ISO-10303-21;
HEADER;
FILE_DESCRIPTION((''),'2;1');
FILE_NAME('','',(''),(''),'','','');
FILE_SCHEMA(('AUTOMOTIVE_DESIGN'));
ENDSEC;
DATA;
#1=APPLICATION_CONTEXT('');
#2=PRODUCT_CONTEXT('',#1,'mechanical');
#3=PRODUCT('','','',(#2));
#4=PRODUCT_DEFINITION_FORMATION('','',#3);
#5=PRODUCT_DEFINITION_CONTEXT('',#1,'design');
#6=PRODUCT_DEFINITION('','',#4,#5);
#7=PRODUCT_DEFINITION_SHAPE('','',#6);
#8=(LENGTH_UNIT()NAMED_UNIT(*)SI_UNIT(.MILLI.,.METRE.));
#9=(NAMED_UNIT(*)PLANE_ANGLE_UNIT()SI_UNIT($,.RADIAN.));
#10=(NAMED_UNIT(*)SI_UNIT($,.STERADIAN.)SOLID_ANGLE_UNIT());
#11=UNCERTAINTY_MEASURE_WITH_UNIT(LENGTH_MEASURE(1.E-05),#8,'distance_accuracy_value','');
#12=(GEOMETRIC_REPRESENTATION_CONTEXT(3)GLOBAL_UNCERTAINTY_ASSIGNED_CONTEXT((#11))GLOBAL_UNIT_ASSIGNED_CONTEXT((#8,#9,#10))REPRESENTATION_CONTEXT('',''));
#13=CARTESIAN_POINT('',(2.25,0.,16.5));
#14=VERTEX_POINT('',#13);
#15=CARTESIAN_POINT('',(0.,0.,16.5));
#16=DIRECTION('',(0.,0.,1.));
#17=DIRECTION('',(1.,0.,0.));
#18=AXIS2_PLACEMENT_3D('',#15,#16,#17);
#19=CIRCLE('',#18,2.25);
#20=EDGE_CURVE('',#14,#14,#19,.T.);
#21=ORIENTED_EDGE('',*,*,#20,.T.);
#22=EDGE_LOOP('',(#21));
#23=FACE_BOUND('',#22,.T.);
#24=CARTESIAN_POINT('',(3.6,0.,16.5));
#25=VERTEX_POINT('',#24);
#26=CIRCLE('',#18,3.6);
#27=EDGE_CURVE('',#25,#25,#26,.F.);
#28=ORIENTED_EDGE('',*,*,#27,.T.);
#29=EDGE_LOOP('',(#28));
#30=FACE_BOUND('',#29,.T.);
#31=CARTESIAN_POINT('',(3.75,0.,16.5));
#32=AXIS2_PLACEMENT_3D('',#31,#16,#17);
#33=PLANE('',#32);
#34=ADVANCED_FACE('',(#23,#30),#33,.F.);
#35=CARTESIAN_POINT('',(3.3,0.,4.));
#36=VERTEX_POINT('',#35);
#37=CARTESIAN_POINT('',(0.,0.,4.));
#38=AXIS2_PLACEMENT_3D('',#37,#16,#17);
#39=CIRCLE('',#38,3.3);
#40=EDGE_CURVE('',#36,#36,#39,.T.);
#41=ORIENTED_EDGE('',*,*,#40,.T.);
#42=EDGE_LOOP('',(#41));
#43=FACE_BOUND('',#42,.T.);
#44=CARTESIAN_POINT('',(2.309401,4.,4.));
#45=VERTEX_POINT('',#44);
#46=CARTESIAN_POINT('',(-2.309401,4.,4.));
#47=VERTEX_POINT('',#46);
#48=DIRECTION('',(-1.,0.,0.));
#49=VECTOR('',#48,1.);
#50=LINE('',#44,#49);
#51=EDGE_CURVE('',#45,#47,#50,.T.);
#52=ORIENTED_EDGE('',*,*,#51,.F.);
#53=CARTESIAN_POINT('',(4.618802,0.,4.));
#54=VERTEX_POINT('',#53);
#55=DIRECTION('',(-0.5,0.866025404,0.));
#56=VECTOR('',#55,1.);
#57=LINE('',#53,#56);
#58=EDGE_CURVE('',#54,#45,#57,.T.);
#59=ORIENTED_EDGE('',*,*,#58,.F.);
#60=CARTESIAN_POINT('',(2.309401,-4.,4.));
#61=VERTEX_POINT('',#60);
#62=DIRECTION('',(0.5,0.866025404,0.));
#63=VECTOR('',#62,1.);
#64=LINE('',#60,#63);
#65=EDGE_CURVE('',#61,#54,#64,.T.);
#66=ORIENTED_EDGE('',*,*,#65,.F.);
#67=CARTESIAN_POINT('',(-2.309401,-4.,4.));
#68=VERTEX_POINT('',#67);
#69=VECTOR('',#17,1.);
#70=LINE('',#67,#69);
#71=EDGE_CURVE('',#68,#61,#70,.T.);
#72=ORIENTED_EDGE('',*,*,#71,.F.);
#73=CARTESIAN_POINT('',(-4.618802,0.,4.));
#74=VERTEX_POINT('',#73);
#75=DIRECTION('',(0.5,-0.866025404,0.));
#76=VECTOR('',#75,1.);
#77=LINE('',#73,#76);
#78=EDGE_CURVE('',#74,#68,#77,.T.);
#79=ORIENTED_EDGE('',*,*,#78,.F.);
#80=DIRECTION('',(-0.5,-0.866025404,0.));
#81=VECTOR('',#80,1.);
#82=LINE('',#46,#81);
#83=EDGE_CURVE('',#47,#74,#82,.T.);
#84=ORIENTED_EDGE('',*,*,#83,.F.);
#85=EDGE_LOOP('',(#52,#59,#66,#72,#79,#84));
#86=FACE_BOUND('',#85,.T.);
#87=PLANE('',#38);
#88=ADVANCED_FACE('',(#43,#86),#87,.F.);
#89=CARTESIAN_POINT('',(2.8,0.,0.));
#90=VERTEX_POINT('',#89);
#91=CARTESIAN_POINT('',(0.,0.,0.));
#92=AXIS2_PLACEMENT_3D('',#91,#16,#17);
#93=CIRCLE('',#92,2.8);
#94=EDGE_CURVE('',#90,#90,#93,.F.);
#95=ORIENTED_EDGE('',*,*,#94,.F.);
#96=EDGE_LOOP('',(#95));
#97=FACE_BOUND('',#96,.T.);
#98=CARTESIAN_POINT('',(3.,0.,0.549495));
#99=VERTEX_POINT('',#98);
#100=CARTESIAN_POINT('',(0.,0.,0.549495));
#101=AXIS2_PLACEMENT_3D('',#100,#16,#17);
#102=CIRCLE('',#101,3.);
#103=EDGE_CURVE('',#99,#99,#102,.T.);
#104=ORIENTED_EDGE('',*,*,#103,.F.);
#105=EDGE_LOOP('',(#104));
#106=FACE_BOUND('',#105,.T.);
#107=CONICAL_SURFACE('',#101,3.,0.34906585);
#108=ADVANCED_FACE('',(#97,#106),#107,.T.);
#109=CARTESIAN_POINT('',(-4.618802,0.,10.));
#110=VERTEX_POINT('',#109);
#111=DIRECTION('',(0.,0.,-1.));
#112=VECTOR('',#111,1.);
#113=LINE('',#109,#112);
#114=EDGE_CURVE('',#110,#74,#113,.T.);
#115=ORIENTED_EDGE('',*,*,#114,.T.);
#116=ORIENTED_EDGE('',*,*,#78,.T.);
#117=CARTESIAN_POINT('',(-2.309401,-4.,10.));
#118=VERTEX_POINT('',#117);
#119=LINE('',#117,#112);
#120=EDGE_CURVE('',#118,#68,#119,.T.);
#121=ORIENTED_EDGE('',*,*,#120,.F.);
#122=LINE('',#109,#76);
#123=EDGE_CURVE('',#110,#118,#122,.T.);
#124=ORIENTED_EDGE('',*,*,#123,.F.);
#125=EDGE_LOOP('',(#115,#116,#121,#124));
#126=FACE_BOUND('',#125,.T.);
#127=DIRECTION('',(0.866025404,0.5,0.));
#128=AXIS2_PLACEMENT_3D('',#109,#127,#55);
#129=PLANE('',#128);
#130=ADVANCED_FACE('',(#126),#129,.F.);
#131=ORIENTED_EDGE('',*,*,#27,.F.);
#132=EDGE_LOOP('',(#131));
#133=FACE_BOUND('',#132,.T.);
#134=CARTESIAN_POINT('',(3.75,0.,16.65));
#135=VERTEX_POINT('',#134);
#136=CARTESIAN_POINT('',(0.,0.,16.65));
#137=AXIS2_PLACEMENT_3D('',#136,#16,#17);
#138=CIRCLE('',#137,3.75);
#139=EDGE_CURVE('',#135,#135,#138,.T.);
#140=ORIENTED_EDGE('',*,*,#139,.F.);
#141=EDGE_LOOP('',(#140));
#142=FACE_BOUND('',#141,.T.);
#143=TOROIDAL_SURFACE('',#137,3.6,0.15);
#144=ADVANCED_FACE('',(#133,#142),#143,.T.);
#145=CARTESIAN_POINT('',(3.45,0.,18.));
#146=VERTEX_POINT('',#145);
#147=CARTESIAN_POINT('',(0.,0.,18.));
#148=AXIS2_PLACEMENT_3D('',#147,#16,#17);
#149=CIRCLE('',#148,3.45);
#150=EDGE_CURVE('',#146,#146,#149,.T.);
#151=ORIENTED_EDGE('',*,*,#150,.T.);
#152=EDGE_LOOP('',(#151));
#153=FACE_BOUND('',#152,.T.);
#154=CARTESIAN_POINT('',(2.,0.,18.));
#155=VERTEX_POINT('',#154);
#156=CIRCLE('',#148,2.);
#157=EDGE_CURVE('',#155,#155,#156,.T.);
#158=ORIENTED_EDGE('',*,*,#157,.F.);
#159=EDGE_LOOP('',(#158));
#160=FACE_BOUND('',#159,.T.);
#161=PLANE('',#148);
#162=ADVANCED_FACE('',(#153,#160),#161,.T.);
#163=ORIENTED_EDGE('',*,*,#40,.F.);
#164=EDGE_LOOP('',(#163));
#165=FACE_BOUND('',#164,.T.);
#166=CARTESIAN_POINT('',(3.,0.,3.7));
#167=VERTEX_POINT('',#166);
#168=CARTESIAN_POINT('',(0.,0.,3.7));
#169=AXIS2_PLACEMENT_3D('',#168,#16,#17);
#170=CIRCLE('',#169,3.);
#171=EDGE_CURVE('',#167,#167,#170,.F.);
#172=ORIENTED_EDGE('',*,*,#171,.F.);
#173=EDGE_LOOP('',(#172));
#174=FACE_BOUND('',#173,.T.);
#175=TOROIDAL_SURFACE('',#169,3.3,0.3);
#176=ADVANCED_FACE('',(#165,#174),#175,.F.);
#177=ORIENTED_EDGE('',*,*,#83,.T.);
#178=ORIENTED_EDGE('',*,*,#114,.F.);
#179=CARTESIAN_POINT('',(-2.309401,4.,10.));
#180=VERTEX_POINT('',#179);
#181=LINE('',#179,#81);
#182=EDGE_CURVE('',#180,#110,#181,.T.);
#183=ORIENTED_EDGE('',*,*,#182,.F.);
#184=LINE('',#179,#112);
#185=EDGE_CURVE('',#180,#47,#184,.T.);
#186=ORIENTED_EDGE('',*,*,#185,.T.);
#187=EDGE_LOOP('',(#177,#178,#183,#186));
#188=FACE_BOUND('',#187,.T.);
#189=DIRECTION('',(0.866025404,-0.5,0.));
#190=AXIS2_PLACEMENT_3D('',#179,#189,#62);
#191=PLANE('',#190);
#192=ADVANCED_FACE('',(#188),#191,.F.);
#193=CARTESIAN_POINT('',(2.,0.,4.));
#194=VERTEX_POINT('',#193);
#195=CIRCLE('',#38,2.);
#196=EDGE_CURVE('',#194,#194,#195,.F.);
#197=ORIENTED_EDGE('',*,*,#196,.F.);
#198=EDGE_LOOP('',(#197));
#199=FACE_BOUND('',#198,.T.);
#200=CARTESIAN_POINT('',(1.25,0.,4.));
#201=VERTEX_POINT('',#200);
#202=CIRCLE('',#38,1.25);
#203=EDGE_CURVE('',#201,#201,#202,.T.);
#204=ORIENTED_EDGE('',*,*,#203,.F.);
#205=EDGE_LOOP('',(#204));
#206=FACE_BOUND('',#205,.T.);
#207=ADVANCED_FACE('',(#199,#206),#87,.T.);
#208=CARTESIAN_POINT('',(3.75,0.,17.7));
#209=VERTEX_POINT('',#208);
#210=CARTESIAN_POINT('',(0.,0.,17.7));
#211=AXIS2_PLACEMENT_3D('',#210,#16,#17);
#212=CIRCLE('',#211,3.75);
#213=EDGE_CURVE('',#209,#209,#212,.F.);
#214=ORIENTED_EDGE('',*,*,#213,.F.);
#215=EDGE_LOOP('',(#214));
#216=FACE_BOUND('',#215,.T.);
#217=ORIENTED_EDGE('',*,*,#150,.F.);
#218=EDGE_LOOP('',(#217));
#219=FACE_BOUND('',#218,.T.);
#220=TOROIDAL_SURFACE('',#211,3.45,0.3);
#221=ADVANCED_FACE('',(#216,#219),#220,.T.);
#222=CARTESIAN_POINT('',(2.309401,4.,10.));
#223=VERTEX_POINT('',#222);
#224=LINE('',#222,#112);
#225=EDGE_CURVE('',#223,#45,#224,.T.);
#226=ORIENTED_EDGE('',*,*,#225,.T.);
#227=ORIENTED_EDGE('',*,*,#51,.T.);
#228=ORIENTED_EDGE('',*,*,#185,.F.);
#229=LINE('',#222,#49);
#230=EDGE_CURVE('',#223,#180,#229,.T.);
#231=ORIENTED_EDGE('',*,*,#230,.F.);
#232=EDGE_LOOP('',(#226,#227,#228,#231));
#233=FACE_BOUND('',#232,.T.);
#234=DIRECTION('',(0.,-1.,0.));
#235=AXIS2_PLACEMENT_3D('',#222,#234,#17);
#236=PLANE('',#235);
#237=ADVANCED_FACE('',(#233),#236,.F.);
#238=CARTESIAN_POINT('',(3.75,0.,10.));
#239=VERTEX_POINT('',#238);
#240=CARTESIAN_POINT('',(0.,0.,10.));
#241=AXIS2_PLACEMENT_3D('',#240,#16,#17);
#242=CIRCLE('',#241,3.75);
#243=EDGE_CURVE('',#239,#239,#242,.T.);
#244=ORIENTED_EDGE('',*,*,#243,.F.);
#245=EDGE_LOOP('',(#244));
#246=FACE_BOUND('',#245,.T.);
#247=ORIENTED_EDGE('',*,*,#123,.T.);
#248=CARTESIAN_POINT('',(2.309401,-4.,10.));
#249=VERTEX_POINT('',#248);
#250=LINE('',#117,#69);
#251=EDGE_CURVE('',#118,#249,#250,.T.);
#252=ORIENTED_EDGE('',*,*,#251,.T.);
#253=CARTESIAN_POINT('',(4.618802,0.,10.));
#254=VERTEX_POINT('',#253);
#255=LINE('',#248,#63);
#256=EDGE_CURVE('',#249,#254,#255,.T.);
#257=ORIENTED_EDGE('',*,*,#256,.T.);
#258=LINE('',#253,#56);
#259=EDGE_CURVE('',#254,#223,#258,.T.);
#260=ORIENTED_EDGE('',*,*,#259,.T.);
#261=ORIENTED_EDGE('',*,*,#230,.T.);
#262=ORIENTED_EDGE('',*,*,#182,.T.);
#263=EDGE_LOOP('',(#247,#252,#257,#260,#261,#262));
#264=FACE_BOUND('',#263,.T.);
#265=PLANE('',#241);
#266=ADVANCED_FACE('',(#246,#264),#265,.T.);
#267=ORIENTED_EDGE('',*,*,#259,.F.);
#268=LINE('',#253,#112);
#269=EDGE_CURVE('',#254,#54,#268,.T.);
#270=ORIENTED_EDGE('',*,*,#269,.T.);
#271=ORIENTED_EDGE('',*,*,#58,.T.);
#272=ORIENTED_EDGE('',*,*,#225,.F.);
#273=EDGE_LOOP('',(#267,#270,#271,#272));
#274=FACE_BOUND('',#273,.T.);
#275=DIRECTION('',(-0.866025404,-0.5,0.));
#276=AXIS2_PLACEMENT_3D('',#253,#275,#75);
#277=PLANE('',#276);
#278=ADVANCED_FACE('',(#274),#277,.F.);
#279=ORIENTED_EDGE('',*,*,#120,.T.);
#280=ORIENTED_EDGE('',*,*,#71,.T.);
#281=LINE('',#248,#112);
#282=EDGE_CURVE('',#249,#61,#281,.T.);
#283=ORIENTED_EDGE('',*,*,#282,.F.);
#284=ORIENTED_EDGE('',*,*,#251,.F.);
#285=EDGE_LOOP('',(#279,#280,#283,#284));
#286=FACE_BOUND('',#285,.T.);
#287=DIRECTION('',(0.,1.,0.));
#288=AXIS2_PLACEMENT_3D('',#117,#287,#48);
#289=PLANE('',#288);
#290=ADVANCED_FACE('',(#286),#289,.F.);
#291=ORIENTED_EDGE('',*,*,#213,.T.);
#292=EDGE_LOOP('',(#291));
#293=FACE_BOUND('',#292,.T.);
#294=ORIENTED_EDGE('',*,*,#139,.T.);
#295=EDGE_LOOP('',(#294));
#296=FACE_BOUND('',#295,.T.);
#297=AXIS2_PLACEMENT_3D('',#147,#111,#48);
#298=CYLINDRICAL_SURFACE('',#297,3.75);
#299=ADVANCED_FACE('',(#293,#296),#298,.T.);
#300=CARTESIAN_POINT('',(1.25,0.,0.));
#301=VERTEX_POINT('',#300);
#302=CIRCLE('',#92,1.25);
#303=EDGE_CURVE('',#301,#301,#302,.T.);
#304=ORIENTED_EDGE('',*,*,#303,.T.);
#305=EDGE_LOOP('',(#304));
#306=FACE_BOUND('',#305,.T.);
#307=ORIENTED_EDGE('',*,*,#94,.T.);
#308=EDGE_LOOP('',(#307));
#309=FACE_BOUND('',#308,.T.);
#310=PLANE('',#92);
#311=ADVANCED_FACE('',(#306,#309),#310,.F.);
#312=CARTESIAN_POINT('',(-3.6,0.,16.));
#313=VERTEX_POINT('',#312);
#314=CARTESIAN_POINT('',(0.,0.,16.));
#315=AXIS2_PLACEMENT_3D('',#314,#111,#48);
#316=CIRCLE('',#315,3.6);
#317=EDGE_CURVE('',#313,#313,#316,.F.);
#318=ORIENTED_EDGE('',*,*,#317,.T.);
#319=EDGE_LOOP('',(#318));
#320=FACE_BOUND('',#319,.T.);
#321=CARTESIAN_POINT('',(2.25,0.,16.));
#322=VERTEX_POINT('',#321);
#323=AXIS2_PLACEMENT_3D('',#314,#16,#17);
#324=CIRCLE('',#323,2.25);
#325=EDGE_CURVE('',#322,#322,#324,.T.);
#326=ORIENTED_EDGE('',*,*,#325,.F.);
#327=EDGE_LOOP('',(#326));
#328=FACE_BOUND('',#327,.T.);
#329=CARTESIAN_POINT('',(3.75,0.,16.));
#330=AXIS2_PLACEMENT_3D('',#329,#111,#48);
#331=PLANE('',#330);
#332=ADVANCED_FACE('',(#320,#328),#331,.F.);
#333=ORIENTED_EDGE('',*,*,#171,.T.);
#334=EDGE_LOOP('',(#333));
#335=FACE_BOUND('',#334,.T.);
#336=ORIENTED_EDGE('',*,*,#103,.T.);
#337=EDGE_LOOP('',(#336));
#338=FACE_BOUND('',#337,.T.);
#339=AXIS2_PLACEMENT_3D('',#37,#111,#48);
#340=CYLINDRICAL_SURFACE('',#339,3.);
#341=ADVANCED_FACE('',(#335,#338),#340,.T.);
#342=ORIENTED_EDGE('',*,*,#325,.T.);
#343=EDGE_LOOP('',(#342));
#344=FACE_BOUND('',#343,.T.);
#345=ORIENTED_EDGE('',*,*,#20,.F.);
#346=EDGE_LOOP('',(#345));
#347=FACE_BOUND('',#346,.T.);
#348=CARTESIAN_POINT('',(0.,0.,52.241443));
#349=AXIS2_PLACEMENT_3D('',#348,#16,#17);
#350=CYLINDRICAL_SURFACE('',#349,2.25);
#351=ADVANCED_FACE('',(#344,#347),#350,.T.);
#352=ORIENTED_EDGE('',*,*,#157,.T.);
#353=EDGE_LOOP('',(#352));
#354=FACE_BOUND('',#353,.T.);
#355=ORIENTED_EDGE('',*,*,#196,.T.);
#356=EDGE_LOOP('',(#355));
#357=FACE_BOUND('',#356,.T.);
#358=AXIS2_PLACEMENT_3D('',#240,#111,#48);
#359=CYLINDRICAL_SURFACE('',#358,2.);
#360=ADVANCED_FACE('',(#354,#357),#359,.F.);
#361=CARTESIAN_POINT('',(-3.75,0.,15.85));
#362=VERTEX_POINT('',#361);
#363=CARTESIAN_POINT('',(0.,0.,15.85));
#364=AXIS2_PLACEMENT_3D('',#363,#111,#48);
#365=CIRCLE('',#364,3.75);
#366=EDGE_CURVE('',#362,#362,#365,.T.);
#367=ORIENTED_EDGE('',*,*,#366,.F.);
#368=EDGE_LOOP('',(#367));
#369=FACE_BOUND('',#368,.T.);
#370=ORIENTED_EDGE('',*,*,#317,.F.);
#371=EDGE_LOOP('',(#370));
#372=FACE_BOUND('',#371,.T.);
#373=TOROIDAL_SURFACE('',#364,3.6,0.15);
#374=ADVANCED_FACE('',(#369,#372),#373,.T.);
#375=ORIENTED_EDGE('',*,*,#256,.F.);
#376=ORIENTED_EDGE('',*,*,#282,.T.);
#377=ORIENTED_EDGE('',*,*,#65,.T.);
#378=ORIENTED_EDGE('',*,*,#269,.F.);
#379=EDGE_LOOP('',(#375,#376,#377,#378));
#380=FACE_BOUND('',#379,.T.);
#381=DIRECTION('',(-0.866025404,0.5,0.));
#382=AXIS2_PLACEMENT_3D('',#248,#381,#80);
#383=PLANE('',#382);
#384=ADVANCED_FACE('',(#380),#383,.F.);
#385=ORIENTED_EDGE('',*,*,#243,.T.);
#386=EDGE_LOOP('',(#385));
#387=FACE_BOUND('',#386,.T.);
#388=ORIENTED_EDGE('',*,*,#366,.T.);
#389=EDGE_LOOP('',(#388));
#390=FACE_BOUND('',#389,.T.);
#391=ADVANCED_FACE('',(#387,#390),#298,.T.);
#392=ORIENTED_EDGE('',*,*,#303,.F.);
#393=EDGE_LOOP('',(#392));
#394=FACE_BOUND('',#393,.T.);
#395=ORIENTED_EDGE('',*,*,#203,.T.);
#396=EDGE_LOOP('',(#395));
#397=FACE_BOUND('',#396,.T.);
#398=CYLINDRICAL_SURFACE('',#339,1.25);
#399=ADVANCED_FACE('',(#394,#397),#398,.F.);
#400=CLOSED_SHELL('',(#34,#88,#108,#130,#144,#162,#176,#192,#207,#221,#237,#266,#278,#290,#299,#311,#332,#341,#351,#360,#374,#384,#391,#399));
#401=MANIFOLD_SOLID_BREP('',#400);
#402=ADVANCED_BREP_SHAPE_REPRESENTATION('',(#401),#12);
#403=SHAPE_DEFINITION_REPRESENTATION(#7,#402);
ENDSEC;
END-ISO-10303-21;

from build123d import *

# Parameters (mm, degrees)
ESQUISSE1_R        = 3
ESQUISSE1_R_2      = 1.25
BOSS_EXTRU_1_DEPTH = 4
CHANFREIN1_SIZE    = 0.2
CHANFREIN1_SIZE2   = 0.549495484
ESQUISSE2_R        = 2
BOSS_EXTRU_2_DEPTH = 6
ESQUISSE3_R        = 3.75
ESQUISSE3_R_2      = 2
BOSS_EXTRU_3_DEPTH = 8
CONG_3_R           = 0.3
ESQUISSE4_W        = 1.5
ESQUISSE4_H        = 0.5
CONG_4_R           = 0.3
CONG_5_R           = 0.15


with BuildPart() as part:
    # Esquisse1 → Boss.-Extru.1 (new body)
    with BuildSketch(Plane.XY):
        Circle(ESQUISSE1_R)
        Circle(ESQUISSE1_R_2, mode=Mode.SUBTRACT)
    extrude(amount=BOSS_EXTRU_1_DEPTH)

    # Chanfrein1
    chanfrein1_edges = [part.edges().sort_by_distance(p)[0] for p in [
        (-3, 0, 0),
    ]]
    chanfrein1_side = [part.faces().sort_by_distance(p)[0] for p in [
        (-2.915147186, 0, 0),
    ]]
    chamfer(chanfrein1_edges, length=CHANFREIN1_SIZE, length2=CHANFREIN1_SIZE2, reference=chanfrein1_side[0])

    # Esquisse2 → Boss.-Extru.2 (add)
    with BuildSketch(Plane.XY.offset(4)):
        Polygon((2.309401077, -4), (4.618802154, 0), (2.309401077, 4), (-2.309401077, 4), (-4.618802154, 0), (-2.309401077, -4), align=None)
        Circle(ESQUISSE2_R, mode=Mode.SUBTRACT)
    extrude(amount=BOSS_EXTRU_2_DEPTH)

    # Esquisse3 → Boss.-Extru.3 (add)
    with BuildSketch(Plane.XY.offset(10)):
        Circle(ESQUISSE3_R)
        Circle(ESQUISSE3_R_2, mode=Mode.SUBTRACT)
    extrude(amount=BOSS_EXTRU_3_DEPTH)

    # Congé3
    cong_3_edges = [part.edges().sort_by_distance(p)[0] for p in [
        (-3, 0, 4),
    ]]
    fillet(cong_3_edges, radius=CONG_3_R)

    # Esquisse4 → Enlèvement de matière-Révolution1 (revolve, cut)
    with BuildSketch(Plane(origin=(0, 0, 0), x_dir=(1, 0, 0), z_dir=(0, 1, 0))):
        with Locations((3, -16.25)):
            Rectangle(ESQUISSE4_W, ESQUISSE4_H)
    revolve(axis=Axis((0, 0, 52.241443479), (0, 0, -1)), mode=Mode.SUBTRACT)

    # Congé4
    cong_4_edges = [part.edges().sort_by_distance(p)[0] for p in [
        (-3.75, 0, 18),
    ]]
    fillet(cong_4_edges, radius=CONG_4_R)

    # Congé5
    cong_5_edges = [part.edges().sort_by_distance(p)[0] for p in [
        (-3.75, 0, 16),
        (-3.75, 0, 16.5),
    ]]
    fillet(cong_5_edges, radius=CONG_5_R)


solid = part.part
